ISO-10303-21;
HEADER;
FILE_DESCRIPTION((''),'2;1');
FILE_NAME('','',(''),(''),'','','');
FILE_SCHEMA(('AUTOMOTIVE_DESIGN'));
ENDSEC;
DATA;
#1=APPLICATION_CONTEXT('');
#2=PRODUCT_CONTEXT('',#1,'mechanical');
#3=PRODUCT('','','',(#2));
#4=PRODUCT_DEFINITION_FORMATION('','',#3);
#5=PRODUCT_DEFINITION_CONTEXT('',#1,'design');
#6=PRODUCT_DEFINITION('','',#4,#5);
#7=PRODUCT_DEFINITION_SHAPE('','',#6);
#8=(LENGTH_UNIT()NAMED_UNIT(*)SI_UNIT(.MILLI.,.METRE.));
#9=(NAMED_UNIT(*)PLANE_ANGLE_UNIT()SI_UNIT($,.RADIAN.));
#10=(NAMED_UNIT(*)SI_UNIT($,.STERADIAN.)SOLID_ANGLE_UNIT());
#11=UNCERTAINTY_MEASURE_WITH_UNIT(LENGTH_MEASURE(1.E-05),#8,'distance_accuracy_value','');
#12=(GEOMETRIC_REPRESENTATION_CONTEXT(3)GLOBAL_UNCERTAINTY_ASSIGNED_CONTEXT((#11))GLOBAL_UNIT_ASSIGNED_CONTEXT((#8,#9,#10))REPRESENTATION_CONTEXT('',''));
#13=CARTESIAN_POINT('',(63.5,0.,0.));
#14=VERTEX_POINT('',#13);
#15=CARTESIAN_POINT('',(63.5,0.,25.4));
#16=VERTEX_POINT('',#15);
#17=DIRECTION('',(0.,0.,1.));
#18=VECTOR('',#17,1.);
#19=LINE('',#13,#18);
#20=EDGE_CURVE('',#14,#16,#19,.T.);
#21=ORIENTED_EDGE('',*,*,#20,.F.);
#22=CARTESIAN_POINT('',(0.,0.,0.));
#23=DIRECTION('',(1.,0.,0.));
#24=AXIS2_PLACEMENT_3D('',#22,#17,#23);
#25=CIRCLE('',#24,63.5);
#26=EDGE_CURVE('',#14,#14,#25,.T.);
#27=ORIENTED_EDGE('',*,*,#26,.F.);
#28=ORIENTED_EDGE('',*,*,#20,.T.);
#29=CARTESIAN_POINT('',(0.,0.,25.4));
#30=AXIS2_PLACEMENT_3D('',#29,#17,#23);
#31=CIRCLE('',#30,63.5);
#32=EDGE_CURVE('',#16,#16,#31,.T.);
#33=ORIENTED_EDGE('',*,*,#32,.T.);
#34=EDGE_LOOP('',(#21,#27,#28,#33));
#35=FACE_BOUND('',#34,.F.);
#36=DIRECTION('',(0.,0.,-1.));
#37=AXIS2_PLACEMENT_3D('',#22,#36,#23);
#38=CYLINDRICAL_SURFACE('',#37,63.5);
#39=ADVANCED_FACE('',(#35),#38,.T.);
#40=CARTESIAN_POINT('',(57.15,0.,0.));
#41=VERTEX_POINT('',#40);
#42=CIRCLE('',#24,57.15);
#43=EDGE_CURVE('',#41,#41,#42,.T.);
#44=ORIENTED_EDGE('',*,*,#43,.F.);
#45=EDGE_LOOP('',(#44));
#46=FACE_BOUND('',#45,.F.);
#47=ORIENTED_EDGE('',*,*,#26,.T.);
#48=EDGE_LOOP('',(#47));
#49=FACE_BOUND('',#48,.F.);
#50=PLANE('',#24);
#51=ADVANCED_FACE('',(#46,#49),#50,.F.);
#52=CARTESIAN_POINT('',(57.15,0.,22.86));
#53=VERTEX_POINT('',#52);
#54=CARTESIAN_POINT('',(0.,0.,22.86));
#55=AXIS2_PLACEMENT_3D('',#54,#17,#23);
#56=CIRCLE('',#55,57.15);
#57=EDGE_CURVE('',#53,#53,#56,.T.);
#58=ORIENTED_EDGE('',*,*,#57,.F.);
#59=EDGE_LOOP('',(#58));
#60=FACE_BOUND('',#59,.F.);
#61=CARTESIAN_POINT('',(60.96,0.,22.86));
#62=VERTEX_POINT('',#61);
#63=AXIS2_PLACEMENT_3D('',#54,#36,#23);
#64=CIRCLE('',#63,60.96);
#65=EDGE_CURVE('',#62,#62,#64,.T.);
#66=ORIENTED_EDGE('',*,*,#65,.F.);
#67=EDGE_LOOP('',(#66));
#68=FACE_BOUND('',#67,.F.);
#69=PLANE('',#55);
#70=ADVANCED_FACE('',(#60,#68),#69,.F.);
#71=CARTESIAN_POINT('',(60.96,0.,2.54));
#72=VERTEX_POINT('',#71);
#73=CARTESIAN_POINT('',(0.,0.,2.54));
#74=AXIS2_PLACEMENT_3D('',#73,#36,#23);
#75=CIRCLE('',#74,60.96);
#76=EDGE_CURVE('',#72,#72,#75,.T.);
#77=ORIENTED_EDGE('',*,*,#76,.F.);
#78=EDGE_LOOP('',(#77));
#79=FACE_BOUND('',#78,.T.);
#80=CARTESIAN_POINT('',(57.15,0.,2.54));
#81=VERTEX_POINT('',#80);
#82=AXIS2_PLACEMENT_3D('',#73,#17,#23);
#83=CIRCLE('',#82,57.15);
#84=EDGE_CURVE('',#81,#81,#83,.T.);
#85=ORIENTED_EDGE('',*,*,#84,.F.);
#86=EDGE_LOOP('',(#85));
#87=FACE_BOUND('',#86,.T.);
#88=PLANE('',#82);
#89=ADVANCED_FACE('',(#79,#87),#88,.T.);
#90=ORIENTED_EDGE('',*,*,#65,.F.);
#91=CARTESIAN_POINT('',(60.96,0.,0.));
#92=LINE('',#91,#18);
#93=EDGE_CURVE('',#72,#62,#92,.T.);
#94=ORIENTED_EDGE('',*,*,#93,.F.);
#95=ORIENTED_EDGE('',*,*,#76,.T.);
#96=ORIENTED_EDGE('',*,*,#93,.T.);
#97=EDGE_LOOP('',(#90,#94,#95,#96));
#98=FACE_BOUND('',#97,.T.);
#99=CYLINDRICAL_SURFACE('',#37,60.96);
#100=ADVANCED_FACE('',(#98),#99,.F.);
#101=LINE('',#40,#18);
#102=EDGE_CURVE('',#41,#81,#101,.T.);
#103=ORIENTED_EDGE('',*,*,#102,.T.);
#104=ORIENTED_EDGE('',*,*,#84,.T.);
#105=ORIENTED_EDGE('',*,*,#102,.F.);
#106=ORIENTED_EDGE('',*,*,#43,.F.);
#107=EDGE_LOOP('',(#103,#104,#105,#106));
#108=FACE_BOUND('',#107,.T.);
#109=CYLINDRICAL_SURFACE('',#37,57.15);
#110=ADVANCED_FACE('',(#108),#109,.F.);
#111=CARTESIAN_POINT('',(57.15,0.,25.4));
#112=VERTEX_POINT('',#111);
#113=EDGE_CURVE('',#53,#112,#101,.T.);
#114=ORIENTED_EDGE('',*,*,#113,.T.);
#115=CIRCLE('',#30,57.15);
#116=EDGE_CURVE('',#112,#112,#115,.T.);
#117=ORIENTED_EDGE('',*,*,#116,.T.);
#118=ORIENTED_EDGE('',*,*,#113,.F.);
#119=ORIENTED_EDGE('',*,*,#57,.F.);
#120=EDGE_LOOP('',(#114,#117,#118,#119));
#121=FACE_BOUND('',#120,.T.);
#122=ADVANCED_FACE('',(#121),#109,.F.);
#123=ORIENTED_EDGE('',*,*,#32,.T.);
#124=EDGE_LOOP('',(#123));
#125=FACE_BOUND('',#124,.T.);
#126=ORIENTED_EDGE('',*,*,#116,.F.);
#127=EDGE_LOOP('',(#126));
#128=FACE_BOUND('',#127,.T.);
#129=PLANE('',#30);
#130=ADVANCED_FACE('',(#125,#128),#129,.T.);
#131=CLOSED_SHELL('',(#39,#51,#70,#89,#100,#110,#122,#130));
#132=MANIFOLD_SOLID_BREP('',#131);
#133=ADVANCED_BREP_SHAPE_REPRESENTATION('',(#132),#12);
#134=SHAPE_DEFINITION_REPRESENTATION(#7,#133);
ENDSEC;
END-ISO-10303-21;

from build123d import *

# Parameters (mm, degrees)
F0_R     = 63.5
F0_R_2   = 57.15
F1_DEPTH = 25.4
F2_T     = -2.54


with BuildPart() as f1:
    # F0 (on Top) → F1 (new body)
    with BuildSketch(Plane.XY):
        Circle(F0_R)
        Circle(F0_R_2, mode=Mode.SUBTRACT)
    extrude(amount=F1_DEPTH)

    # F2
    f2_openings = [f1.faces().sort_by_distance(p)[0] for p in [
        (-57.15, 0, 12.7),
    ]]
    offset(amount=F2_T, openings=f2_openings)


solid = f1.part
